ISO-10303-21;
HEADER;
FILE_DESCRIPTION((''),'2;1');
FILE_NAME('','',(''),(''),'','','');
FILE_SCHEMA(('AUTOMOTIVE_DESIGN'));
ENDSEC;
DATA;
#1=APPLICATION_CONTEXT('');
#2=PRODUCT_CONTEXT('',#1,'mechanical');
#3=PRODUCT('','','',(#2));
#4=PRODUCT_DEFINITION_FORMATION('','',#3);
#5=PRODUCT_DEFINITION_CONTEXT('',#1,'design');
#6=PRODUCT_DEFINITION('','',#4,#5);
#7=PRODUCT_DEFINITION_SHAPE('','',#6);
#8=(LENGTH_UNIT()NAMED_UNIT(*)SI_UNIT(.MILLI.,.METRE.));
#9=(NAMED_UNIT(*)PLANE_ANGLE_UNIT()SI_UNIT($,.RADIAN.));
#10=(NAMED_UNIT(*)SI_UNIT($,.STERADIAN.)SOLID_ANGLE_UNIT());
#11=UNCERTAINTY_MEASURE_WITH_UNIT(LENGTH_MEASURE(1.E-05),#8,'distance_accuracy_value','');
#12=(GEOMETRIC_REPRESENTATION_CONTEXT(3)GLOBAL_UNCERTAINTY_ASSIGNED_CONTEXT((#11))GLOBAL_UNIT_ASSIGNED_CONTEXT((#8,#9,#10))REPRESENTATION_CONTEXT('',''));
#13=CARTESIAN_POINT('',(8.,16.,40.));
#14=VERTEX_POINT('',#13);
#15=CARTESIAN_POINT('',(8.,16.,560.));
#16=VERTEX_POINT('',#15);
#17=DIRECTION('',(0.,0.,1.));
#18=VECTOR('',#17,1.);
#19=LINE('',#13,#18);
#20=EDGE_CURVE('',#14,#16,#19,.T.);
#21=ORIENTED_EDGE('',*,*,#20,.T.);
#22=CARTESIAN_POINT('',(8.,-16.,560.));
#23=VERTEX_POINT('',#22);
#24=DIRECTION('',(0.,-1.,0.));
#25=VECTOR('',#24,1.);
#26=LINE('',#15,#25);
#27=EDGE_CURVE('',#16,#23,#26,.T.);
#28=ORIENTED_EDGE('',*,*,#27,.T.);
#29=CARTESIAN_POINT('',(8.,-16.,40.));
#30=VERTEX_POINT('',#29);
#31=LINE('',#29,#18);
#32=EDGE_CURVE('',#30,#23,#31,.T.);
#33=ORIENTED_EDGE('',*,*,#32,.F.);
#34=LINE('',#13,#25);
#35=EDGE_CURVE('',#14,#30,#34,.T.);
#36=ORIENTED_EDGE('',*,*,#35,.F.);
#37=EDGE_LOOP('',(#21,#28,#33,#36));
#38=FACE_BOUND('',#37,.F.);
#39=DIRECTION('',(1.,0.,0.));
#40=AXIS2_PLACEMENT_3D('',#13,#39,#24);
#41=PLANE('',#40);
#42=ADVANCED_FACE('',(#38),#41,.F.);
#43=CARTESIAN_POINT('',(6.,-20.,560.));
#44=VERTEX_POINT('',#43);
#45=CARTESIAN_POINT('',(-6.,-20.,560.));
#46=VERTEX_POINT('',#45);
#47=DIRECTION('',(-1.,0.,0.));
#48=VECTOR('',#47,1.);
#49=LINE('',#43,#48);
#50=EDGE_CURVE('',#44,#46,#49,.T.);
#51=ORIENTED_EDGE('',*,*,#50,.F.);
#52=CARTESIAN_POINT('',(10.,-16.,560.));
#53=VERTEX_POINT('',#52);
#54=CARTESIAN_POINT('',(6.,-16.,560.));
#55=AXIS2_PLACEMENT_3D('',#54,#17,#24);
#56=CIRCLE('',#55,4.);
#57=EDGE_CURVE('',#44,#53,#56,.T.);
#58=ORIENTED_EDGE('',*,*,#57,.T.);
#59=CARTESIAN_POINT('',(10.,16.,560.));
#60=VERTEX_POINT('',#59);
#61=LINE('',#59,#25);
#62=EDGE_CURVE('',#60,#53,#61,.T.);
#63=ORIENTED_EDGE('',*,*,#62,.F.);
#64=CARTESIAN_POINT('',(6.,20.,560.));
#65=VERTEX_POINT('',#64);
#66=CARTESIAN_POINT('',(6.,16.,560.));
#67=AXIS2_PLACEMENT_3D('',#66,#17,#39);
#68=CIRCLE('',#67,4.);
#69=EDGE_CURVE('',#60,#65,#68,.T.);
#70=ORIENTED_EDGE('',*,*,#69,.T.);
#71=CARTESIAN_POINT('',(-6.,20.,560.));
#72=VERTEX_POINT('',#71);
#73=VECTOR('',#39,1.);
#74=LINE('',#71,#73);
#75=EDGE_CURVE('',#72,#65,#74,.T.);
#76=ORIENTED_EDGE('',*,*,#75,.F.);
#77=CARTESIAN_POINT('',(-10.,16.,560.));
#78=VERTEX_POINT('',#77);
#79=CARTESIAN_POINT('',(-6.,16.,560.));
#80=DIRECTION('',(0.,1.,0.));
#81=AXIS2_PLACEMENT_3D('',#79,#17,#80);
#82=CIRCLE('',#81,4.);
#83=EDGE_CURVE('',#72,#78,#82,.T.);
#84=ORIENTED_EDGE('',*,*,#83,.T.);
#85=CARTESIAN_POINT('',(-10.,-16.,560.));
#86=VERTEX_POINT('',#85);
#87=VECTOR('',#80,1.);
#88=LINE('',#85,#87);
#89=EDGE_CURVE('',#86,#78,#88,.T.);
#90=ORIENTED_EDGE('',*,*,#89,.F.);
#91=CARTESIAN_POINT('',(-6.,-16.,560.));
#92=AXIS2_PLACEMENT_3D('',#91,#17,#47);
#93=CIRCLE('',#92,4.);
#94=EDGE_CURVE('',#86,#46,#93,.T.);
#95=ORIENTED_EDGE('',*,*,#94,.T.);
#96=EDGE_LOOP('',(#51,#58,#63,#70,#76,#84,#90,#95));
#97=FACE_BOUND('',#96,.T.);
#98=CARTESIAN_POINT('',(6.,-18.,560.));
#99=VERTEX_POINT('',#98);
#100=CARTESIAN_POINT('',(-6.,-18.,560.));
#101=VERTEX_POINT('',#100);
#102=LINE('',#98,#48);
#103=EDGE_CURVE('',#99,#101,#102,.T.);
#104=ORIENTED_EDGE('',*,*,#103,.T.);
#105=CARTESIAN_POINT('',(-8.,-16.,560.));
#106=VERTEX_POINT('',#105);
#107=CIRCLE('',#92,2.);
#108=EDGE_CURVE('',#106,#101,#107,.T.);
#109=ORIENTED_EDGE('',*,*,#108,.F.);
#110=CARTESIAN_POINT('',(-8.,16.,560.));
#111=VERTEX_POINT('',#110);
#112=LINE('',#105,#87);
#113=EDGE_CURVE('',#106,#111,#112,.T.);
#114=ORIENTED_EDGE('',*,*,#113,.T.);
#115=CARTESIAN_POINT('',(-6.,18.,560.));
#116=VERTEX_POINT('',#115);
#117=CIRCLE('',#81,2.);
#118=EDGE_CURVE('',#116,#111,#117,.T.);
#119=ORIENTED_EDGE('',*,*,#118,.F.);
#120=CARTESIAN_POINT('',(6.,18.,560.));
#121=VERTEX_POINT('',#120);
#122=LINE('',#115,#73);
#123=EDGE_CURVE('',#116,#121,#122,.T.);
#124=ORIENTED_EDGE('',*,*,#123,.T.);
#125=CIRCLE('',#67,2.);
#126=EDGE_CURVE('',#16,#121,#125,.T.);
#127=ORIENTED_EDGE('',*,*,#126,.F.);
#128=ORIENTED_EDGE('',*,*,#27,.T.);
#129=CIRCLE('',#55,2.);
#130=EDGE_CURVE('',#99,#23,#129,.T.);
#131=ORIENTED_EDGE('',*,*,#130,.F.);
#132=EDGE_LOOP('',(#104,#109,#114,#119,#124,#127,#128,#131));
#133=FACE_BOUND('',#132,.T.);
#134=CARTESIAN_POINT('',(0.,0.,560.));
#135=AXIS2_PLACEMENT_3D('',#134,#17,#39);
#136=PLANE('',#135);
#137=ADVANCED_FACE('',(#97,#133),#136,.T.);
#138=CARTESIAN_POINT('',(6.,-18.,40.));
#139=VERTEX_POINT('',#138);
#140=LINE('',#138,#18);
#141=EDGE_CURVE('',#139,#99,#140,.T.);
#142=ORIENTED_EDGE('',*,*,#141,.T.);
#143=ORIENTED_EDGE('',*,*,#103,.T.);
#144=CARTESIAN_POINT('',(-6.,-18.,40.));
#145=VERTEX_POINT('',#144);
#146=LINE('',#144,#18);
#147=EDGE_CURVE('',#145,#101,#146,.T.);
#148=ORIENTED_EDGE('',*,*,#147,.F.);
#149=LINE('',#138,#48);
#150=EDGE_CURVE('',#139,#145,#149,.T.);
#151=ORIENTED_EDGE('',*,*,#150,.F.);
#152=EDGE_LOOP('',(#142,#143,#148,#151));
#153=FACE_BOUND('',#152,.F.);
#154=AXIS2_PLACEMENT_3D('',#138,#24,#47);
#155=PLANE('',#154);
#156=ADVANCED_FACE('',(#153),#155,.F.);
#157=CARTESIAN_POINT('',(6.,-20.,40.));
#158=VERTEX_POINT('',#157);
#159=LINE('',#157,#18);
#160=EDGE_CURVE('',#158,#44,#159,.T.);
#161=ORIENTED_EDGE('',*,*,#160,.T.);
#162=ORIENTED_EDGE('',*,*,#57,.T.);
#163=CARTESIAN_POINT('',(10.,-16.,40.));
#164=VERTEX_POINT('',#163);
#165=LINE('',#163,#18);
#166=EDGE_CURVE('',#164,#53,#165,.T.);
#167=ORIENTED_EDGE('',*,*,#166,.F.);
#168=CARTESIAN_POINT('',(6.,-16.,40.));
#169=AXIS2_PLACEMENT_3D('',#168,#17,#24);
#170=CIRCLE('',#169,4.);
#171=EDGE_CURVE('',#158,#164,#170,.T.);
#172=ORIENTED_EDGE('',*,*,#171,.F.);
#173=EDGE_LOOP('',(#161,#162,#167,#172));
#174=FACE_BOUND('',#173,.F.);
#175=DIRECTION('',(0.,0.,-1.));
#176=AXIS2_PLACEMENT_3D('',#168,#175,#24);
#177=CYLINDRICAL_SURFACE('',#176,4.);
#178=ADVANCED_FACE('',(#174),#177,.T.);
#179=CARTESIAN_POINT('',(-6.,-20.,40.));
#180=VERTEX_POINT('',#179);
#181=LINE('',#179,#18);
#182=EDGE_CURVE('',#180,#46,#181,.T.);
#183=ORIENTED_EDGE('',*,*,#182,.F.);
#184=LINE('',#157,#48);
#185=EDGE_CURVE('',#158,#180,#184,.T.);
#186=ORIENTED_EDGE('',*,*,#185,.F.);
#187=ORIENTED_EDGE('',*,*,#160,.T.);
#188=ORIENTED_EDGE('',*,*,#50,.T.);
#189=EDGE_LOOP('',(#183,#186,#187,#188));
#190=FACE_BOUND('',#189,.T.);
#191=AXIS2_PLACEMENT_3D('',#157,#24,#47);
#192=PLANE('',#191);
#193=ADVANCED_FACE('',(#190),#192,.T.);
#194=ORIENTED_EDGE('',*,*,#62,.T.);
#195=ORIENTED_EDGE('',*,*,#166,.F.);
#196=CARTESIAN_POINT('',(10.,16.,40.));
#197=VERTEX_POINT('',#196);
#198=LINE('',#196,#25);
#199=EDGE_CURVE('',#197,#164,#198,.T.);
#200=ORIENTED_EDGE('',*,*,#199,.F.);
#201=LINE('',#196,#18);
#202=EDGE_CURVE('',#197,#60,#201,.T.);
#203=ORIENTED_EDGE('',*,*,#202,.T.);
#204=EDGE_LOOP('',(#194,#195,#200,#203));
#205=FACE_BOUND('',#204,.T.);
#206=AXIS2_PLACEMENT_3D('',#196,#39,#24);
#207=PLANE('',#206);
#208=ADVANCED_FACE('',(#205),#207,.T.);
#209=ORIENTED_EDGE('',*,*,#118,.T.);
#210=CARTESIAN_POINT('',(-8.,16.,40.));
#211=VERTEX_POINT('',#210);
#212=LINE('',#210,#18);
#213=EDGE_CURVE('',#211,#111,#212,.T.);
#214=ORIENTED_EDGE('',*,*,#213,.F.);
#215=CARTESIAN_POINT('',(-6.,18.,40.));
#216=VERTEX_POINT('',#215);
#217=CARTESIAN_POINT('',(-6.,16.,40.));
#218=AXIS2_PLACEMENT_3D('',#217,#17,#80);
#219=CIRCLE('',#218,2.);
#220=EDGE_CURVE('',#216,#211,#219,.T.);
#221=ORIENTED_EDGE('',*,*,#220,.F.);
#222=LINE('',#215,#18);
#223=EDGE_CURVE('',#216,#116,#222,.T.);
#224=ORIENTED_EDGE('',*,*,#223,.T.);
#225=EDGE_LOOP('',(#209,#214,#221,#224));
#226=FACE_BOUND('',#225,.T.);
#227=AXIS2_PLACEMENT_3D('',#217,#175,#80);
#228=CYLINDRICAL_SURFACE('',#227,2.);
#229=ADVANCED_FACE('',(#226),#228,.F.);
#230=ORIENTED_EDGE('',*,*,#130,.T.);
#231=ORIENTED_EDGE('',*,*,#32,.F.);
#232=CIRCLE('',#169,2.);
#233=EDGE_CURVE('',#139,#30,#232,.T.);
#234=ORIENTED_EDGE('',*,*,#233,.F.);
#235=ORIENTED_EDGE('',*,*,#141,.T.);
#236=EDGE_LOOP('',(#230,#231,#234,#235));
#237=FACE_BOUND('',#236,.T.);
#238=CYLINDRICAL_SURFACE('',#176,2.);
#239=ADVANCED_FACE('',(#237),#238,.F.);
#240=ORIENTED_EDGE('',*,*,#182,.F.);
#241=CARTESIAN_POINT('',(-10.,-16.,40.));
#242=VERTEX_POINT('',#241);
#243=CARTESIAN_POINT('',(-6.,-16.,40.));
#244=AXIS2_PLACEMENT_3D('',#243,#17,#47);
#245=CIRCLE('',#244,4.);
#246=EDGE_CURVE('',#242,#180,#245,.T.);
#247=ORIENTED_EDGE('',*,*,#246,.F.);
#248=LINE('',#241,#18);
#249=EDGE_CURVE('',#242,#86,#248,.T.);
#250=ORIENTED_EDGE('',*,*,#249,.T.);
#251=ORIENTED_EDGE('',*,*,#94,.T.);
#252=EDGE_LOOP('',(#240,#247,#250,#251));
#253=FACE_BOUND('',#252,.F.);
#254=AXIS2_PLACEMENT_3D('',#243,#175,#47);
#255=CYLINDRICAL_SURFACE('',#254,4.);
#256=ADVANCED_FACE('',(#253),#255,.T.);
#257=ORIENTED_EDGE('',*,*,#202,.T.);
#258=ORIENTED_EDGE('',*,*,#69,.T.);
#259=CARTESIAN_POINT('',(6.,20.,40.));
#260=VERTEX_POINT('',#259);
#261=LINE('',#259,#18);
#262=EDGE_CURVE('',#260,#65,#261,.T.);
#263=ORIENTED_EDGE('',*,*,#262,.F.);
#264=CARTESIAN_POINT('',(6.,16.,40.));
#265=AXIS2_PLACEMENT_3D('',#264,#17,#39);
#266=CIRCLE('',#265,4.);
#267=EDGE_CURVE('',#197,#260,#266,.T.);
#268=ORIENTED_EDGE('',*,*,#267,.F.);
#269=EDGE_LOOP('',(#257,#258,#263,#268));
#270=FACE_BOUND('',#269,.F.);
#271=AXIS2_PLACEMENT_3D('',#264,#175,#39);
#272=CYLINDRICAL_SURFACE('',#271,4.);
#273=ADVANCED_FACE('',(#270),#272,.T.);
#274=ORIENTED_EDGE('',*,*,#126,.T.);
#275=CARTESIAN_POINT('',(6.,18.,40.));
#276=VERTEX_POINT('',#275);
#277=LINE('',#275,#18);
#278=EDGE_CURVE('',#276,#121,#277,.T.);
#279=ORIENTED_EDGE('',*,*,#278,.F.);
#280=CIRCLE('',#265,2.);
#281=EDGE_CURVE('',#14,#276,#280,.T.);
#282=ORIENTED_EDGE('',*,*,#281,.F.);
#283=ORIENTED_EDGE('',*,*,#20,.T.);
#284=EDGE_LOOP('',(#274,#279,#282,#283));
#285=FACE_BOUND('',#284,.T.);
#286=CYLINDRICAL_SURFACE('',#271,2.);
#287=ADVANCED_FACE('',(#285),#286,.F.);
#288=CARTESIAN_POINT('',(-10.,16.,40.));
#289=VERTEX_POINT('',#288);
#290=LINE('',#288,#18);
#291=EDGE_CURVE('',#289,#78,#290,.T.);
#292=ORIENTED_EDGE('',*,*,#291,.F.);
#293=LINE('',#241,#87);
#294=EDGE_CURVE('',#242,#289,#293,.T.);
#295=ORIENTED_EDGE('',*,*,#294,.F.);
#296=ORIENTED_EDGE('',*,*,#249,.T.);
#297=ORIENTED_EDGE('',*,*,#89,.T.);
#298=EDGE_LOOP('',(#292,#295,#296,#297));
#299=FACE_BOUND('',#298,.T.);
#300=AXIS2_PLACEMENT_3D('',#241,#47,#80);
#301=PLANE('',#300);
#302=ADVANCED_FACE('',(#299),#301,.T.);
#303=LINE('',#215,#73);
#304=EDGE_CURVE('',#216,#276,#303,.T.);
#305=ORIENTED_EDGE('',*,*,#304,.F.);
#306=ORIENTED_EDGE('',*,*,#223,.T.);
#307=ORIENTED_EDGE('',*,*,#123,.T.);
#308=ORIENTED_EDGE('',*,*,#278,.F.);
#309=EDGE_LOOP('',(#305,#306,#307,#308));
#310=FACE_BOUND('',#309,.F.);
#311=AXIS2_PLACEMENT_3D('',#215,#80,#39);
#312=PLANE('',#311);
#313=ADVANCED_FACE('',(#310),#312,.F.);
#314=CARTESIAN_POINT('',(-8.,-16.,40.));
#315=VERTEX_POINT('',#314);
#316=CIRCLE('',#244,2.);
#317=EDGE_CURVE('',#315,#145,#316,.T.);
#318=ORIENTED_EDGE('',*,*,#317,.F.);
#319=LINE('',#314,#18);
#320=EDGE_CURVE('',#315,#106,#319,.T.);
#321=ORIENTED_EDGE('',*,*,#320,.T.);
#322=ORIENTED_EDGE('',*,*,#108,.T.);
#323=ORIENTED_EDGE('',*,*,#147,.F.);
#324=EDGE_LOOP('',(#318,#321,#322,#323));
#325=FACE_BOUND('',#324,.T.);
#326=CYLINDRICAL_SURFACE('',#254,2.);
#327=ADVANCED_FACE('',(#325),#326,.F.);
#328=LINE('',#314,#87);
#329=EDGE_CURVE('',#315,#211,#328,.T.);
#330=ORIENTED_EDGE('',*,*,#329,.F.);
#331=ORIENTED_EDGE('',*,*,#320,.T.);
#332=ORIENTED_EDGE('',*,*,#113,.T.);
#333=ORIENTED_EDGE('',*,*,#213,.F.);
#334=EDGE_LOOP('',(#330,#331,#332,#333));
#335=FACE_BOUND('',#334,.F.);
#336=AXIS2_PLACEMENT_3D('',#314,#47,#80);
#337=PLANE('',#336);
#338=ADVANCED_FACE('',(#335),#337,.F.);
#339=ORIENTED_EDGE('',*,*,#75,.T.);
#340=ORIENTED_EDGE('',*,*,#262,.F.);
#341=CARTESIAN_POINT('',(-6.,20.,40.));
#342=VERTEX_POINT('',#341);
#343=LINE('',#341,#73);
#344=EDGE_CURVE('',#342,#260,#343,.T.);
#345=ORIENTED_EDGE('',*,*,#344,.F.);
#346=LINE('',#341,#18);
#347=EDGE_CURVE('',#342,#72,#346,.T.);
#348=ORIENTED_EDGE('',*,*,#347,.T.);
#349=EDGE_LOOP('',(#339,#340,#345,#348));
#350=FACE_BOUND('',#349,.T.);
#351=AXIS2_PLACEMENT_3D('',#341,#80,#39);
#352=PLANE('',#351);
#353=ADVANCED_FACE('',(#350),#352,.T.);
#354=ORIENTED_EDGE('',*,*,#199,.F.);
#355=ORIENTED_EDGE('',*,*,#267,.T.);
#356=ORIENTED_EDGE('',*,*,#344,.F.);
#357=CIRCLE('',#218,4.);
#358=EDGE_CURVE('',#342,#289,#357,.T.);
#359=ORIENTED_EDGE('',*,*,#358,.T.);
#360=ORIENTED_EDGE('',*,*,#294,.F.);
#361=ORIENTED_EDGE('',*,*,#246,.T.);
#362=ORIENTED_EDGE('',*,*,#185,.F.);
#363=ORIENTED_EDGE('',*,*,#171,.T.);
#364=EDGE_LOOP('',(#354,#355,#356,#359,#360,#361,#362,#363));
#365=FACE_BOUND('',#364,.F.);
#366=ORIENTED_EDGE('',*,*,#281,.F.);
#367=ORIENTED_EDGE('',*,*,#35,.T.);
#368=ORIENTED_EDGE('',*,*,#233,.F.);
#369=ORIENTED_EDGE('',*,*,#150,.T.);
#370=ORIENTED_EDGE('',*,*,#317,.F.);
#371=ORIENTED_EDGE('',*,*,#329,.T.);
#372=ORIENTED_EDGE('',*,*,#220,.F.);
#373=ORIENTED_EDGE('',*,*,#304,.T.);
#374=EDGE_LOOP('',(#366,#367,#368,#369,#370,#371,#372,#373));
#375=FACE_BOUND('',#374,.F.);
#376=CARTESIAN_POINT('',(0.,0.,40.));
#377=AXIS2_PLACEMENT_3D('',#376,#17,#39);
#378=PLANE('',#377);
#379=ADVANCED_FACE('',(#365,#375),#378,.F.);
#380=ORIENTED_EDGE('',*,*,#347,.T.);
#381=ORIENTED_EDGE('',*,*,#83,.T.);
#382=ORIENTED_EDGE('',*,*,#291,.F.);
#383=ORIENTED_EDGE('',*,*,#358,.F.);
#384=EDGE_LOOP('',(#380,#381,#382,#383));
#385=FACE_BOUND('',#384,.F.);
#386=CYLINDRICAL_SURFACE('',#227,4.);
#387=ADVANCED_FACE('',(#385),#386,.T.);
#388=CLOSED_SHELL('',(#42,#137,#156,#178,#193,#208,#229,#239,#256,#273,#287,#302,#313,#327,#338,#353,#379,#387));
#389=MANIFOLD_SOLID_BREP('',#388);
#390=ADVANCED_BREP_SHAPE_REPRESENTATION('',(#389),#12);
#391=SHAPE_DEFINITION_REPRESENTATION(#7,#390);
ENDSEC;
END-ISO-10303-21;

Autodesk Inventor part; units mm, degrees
ref_plane "YZ Plane" through (0, 0, 0) normal (1, 0, 0) x (0, 1, 0)
ref_plane "Start Plane" through (0, 0, 40) normal (0, 0, 1) x (1, 0, 0)
ref_plane "End Plane" through (0, 0, 560) normal (0, 0, 1) x (1, 0, 0)
sketch "Sketch" plane through (0, 0, 0) normal (0, 0, 1) x (1, 0, 0)
  line L0 (-10, -16) -> (-10, 16)
  line L1 (-6, 20) -> (6, 20)
  line L2 (10, 16) -> (10, -16)
  line L3 (6, -20) -> (-6, -20)
  arc A0 (-10, -16) -> (-6, -20) centre (-6, -16) ccw
  arc A1 (10, 16) -> (6, 20) centre (6, 16) ccw
  arc A2 (-6, 20) -> (-10, 16) centre (-6, 16) ccw
  arc A3 (6, -20) -> (10, -16) centre (6, -16) ccw
  arc A4 (-6, 18) -> (-8, 16) centre (-6, 16) ccw
  line L4 (-6, 18) -> (6, 18)
  arc A5 (8, 16) -> (6, 18) centre (6, 16) ccw
  line L5 (8, 16) -> (8, -16)
  arc A6 (6, -18) -> (8, -16) centre (6, -16) ccw
  line L6 (6, -18) -> (-6, -18)
  arc A7 (-8, -16) -> (-6, -18) centre (-6, -16) ccw
  line L7 (-8, -16) -> (-8, 16)
  line L8 (0, 29.1598) -> (0, -29.1598) construction
  line L9 (-15.1598, 0) -> (15.1598, 0) construction
  dimension "d7" = 4
  dimension "d9" = 20
  dimension "d11" = 40
  dimension "d12" = 2
  dimension "d15" = 10
  dimension "d16" = 20
extrude "Body" add sketch "Sketch" along normal up to surface (520 mm away) from surface at 40
sketch "Sketch3" plane through (0, 0, 0) normal (0, 0, 1) x (1, 0, 0)
  line L0 (0, 0) -> (10, 0)
ref_plane "Work Plane3" through (0, 0, 0) normal (0, -1, 0) x (1, 0, 0)
sketch "Sketch4" plane through (0, 0, 0) normal (0, -1, 0) x (1, 0, 0)
  line L0 (-2, 40) -> (12, 40) projected
  line L1 (-2, 560) -> (12, 560) projected
  dimension "d18" = 520
equation "\"d7\" = G_IR"
equation "\"d9\" = G_W"
equation "\"d11\" = G_H"
equation "\"d12\" = G_T"
equation "\"d15\" = 0.5 * d9"
equation "\"d16\" = 0.5 * d11"
equation "\"d3\" = G_L"
equation "\"G_W\" = 20"
equation "\"G_H\" = 40"
equation "\"G_T\" = 2"
equation "\"G_IR\" = 4"
equation "\"G_L\" = d18"
properties part number "ISO 10799-2 - 40x20x2 - 520" material "Steel, Mild"
